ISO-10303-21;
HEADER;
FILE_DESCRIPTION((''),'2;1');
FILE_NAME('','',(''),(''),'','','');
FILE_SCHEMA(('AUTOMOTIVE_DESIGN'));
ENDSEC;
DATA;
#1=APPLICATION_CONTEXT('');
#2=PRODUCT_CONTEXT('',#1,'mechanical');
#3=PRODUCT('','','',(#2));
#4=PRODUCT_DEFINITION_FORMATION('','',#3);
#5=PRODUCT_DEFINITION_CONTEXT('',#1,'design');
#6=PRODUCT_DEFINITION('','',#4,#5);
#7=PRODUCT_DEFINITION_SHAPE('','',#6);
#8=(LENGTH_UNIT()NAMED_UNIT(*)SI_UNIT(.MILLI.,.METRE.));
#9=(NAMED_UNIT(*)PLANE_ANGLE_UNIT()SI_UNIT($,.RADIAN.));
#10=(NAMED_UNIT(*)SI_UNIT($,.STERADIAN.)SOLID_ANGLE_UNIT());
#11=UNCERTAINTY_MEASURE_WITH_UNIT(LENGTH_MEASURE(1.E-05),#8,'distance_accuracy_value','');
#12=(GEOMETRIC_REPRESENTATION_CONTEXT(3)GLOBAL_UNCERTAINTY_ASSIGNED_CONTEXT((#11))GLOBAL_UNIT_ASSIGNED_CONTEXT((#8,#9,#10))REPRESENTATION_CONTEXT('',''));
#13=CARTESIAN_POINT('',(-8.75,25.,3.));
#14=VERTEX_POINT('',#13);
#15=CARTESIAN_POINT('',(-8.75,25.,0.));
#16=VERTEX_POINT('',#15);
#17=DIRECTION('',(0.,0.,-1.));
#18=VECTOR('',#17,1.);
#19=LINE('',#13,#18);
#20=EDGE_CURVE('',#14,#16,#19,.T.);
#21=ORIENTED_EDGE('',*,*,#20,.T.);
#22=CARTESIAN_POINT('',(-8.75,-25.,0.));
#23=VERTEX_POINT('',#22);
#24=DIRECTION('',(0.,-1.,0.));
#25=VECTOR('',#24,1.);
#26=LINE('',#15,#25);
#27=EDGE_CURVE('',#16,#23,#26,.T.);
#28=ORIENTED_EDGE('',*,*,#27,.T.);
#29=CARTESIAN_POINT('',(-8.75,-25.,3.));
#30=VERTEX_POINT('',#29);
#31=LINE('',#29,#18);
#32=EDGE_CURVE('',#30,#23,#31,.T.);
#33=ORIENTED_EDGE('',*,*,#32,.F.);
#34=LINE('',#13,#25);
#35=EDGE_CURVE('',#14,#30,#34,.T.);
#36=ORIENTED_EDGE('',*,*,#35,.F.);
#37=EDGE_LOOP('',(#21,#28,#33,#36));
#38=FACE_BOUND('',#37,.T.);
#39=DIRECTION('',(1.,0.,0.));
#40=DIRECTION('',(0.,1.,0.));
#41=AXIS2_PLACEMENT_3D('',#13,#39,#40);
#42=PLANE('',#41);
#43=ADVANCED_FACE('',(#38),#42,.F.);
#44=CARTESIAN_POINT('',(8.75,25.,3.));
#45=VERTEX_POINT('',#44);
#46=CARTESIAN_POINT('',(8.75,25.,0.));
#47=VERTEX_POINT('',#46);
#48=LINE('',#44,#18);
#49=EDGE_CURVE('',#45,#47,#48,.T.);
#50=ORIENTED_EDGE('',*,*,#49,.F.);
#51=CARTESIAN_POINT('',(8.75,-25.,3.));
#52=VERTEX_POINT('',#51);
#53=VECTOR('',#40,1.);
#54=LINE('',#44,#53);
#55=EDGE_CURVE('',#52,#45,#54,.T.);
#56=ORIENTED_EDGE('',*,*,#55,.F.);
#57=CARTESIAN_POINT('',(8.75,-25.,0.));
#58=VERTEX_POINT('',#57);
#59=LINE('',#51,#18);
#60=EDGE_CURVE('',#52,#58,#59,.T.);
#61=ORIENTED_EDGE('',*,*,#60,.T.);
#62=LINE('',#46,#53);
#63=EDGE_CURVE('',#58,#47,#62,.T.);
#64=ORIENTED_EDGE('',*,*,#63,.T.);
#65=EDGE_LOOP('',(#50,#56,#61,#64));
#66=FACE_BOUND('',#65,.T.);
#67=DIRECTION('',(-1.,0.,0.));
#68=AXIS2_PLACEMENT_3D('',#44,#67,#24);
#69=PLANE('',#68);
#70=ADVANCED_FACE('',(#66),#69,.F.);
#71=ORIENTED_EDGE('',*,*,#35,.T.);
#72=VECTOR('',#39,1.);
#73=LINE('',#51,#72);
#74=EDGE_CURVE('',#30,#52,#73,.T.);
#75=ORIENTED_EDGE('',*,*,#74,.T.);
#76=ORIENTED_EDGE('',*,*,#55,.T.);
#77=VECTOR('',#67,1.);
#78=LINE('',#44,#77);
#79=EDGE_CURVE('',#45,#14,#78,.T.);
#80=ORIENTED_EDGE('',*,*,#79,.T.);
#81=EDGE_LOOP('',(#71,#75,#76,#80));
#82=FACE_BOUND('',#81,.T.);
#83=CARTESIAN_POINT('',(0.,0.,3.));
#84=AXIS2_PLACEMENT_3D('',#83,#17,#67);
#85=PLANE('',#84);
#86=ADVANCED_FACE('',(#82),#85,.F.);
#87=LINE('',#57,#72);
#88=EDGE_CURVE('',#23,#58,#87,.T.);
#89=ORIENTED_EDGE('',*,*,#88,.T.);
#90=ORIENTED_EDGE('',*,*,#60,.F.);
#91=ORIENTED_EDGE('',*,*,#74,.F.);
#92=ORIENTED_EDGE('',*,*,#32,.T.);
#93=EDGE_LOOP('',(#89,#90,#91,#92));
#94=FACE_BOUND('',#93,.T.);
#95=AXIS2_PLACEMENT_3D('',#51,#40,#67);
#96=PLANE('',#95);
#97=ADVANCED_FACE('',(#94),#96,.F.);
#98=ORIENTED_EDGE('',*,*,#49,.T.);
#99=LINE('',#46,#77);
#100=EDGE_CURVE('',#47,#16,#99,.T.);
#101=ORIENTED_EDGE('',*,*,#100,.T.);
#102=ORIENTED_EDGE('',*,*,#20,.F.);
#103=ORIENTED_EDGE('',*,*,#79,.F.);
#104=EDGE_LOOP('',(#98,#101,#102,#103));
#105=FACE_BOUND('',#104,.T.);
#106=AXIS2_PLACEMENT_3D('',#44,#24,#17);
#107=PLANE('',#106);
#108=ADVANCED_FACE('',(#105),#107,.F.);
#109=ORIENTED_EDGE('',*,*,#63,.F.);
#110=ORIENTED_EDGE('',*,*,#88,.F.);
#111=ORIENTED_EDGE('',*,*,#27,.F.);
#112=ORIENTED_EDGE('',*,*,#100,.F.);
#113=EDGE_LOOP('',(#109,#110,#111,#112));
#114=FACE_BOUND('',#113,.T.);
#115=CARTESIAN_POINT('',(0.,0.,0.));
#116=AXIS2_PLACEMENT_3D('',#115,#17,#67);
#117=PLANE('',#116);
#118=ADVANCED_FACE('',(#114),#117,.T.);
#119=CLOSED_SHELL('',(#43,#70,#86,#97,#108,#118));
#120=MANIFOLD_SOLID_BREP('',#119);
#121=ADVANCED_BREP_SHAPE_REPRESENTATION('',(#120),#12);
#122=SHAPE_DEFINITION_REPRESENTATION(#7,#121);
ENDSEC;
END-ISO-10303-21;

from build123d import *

# Parameters (mm, degrees)
SKETCH1_W           = 17.5
SKETCH1_H           = 50
BOSS_EXTRUDE1_DEPTH = 3


with BuildPart() as part:
    # Sketch1 → Boss-Extrude1 (new body)
    with BuildSketch(Plane.XY):
        Rectangle(SKETCH1_W, SKETCH1_H)
    extrude(amount=BOSS_EXTRUDE1_DEPTH)


solid = part.part
